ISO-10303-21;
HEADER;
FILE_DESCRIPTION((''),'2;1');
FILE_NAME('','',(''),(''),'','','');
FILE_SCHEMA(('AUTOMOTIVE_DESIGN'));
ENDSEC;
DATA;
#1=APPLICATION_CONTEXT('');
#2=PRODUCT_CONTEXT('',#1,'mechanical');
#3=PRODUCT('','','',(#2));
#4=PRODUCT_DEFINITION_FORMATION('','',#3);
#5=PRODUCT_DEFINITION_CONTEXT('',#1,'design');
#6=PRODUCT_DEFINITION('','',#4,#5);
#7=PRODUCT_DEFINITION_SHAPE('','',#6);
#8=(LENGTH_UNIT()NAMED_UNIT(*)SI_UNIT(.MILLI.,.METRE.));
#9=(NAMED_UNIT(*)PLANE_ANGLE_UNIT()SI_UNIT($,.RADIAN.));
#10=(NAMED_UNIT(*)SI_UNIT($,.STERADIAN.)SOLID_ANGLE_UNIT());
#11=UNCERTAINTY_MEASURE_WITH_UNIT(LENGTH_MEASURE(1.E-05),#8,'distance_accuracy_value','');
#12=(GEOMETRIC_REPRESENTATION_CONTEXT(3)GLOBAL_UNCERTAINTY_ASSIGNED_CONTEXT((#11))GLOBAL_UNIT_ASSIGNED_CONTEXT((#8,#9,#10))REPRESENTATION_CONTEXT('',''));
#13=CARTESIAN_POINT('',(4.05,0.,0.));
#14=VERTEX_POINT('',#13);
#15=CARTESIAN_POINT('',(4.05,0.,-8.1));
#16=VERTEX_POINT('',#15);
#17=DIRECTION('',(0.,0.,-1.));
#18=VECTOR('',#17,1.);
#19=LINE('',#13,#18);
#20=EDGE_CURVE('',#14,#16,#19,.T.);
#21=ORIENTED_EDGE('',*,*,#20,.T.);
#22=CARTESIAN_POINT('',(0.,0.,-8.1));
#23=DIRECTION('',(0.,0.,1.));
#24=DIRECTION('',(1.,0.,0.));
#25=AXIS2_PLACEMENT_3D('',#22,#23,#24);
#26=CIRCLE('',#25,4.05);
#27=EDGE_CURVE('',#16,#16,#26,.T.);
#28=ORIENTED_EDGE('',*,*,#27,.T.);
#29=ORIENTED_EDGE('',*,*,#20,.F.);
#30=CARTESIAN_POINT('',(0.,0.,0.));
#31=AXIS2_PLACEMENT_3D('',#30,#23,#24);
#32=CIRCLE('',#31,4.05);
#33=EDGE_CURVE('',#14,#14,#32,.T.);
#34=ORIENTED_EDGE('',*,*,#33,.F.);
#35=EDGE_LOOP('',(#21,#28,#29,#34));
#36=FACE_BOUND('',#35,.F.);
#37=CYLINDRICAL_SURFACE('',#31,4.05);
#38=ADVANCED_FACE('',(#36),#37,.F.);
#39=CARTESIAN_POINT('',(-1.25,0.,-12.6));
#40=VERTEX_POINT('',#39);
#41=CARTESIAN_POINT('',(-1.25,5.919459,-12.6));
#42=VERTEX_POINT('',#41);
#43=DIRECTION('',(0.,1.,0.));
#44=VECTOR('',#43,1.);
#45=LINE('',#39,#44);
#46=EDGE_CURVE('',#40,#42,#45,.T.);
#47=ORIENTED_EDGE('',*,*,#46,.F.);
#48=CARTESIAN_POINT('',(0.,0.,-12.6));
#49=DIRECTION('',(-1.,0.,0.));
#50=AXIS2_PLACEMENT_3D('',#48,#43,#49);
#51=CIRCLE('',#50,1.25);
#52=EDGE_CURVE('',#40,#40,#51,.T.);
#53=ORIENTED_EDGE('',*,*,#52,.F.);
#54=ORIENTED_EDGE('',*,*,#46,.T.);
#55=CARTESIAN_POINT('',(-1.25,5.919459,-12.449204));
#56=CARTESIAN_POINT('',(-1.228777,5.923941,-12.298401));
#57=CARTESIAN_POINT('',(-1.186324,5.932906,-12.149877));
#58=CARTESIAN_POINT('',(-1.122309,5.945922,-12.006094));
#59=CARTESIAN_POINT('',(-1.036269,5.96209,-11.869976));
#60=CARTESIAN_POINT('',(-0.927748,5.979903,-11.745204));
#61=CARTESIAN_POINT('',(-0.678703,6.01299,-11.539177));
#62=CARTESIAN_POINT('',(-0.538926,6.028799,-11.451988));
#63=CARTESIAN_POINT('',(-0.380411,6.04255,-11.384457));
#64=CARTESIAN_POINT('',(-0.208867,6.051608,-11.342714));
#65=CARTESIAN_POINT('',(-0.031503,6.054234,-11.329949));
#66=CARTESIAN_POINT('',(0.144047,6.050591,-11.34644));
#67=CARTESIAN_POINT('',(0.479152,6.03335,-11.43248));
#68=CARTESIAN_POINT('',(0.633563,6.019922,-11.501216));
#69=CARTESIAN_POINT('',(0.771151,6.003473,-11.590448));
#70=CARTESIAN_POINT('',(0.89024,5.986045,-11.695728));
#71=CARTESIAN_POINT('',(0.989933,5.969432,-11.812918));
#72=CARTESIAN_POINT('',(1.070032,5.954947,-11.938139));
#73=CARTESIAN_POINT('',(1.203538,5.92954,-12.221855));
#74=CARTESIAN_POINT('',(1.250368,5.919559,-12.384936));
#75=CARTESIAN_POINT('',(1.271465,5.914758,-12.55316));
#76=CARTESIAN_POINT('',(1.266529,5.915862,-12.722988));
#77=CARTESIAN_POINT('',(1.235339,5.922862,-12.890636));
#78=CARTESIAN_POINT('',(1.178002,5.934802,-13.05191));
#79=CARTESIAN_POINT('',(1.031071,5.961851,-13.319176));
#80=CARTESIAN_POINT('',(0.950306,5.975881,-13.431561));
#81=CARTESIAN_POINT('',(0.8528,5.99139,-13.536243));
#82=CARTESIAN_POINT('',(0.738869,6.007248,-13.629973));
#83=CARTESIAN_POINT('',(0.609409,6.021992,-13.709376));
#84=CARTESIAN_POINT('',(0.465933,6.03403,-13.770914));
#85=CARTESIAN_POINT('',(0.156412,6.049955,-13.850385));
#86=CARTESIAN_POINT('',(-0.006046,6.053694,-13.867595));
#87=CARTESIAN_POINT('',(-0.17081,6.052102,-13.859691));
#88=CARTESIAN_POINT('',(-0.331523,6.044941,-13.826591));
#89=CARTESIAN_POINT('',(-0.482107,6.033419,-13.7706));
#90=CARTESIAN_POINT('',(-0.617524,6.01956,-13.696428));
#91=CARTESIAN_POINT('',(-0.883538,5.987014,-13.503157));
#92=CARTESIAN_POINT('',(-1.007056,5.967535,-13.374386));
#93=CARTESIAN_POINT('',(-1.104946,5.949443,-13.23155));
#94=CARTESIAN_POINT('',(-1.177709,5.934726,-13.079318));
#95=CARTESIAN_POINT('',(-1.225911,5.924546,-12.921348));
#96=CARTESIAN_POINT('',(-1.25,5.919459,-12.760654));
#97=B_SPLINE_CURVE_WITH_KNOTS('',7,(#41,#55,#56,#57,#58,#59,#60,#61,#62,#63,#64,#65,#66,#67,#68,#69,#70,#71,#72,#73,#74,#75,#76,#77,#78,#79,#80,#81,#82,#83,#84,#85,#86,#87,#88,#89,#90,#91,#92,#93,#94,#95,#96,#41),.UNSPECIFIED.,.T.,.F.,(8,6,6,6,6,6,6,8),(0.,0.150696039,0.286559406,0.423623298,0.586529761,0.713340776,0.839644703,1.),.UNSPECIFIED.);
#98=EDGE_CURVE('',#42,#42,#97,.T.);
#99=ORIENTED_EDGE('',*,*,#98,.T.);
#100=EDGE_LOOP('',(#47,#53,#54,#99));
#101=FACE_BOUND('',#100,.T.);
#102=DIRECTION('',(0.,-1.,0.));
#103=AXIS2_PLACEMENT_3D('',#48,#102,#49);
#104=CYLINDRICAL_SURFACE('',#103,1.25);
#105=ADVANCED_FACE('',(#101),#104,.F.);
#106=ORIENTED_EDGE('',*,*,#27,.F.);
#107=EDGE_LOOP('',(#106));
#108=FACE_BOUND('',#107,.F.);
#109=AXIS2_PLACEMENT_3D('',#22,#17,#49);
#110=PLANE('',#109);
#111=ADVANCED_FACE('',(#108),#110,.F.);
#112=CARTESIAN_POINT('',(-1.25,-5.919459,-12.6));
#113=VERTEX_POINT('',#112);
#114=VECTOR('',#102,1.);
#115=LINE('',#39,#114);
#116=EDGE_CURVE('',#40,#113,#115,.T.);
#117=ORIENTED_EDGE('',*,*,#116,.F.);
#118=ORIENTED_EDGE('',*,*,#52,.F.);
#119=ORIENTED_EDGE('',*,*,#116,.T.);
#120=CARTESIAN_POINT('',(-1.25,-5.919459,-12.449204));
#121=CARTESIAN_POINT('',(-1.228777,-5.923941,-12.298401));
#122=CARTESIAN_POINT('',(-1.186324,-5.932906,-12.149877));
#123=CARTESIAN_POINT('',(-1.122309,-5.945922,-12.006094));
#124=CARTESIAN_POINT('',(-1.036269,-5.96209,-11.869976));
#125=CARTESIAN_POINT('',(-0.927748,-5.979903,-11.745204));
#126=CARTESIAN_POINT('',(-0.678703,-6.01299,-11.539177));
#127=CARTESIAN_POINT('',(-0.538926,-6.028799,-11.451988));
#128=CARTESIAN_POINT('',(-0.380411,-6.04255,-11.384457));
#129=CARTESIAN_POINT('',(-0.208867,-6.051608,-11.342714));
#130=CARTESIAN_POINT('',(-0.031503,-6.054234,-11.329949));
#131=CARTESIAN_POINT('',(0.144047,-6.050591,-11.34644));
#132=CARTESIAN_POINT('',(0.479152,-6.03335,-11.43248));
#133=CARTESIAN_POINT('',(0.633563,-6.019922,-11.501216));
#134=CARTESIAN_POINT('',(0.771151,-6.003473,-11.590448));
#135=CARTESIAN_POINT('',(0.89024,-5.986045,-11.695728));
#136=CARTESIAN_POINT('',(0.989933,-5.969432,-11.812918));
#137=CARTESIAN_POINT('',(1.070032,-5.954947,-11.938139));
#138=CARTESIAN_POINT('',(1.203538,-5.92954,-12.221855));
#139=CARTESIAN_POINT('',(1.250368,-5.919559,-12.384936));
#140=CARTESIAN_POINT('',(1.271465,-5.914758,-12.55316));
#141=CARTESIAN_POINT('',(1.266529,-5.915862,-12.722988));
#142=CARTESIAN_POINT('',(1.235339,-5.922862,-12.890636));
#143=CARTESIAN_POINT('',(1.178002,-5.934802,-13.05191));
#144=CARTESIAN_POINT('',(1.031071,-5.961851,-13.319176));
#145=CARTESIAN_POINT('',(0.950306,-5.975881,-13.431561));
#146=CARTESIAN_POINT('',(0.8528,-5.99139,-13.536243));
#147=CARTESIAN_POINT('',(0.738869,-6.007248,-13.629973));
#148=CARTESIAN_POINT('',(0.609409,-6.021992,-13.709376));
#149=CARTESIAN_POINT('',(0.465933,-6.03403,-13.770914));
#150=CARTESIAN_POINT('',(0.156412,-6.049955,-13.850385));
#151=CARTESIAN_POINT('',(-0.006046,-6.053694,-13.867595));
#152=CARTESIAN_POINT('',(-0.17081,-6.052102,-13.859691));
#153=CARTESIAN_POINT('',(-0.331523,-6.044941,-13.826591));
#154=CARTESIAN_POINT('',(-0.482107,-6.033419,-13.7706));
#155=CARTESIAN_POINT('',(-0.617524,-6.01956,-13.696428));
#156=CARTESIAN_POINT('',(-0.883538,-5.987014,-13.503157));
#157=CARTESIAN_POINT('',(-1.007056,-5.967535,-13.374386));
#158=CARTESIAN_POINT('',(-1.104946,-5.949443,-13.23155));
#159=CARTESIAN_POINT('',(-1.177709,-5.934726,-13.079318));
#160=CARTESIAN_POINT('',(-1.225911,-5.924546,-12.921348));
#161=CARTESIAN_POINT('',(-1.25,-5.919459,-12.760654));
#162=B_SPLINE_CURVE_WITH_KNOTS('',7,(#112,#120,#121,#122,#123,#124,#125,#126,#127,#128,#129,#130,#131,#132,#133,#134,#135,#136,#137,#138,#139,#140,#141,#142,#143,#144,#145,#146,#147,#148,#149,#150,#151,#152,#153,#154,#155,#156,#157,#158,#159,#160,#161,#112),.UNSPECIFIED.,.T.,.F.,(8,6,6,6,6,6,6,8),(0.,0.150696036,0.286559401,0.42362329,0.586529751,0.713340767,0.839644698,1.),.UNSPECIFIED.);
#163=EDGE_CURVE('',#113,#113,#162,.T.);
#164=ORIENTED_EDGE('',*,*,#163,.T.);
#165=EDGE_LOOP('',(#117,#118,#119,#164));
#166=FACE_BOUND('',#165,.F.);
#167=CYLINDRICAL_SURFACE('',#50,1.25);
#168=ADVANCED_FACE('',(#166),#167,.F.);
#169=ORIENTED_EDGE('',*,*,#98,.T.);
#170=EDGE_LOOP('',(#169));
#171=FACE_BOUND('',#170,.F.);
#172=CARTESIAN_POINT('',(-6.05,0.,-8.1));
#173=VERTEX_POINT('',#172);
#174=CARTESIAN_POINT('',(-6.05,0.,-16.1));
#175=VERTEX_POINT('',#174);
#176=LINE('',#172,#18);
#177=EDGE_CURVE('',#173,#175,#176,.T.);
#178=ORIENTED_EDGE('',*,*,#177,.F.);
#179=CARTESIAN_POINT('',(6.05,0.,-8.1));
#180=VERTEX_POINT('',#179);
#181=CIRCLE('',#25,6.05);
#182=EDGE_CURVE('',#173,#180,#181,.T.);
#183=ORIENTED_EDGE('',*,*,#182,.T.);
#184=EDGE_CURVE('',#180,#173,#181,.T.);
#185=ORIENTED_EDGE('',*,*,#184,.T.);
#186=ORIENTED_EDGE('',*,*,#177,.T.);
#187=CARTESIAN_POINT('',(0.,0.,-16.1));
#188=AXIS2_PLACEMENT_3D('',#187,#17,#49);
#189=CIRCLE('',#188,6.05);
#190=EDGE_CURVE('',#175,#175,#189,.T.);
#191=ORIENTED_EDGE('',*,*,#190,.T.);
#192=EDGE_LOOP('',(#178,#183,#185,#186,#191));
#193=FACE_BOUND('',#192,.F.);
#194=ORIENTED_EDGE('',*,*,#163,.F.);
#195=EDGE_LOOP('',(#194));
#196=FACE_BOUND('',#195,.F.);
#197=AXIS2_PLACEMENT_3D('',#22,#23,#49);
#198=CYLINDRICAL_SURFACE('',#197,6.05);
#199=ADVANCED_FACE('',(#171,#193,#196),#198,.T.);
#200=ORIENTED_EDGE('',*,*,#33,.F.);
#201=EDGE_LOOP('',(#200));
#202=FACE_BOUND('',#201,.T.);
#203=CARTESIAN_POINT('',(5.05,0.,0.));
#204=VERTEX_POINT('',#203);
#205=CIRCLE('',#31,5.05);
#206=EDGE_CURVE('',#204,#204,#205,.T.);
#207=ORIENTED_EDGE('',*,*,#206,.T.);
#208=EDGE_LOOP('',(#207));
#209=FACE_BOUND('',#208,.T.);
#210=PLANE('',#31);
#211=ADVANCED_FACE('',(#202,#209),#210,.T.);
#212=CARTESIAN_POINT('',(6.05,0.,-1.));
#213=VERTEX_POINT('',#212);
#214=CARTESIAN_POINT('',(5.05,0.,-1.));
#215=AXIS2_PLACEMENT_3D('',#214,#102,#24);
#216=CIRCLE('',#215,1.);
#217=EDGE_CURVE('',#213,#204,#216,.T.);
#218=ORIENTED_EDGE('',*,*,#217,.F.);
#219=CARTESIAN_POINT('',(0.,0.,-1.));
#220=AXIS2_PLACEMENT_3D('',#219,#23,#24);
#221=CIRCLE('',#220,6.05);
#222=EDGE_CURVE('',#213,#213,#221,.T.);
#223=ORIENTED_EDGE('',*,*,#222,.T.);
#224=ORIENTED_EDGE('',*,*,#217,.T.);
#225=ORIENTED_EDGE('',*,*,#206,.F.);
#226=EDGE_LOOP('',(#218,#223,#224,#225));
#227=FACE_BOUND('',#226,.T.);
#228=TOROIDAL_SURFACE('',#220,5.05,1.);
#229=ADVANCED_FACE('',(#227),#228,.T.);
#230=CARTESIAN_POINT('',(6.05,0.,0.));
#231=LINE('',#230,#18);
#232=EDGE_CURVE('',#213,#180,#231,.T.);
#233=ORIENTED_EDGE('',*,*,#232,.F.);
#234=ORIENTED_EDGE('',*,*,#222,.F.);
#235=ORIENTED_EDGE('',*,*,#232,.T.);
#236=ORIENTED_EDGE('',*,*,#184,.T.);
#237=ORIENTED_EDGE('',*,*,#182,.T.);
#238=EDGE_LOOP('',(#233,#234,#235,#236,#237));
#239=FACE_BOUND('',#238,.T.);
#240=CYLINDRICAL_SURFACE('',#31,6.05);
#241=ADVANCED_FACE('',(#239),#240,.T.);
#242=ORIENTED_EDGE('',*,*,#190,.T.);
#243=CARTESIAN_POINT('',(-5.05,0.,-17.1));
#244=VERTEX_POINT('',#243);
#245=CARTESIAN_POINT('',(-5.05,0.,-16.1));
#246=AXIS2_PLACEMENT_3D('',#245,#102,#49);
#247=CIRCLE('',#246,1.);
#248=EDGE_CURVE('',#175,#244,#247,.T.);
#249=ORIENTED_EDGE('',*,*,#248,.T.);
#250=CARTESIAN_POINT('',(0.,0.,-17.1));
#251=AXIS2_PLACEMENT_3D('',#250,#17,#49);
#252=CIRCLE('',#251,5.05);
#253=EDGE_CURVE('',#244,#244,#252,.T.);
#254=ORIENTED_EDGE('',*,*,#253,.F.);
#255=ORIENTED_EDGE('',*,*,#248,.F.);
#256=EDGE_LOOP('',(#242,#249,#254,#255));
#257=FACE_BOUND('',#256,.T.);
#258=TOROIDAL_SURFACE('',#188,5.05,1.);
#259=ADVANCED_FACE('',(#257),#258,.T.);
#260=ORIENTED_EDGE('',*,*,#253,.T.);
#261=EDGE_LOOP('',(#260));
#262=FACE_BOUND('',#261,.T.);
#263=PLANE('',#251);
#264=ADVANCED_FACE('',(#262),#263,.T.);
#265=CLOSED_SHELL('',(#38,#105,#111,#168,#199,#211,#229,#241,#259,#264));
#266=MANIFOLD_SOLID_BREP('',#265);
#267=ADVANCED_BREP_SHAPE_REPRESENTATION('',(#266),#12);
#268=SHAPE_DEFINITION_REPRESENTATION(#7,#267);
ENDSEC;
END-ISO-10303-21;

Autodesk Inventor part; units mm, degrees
ref_plane "YZ Plane" through (0, 0, 0) normal (1, 0, 0) x (0, 1, 0)
ref_plane "XZ Plane" through (0, 0, 0) normal (0, 1, 0) x (-1, 0, 0)
ref_plane "XY Plane" through (0, 0, 0) normal (0, 0, 1) x (1, 0, 0)
sketch "スケッチ1" plane through (0, 0, 0) normal (0, 0, 1) x (1, 0, 0)
  circle A0 centre (0, 0) radius 4.05
  circle A1 centre (0, 0) radius 6.05
  dimension "d0" = 8.1
  dimension "d1" = 2
extrude "押し出し1" add sketch "スケッチ1" against normal blind 8.1
sketch "スケッチ2" plane through (0, 0, -8.1) normal (0, 0, -1) x (-1, 0, 0)
  circle A0 centre (0, 0) radius 6.05
  circle A1 centre (0, 0) radius 6.05 projected
  dimension "d13" = 0
extrude "押し出し2" add sketch "スケッチ2" along normal blind 9
sketch "スケッチ3" plane through (0, 0, 0) normal (0, 1, 0) x (-1, 0, 0)
  circle A0 centre (0, -12.6) radius 1.25
  line L0 (4.05, -8.1) -> (-4.05, -8.1) projected
  point P0 (0, 0)
  dimension "d6" = 2.5
  dimension "d7" = 4.5
extrude "押し出し3" cut sketch "スケッチ3" along normal through all both and the other way through all
fillet "フィレット1" radius 1 2 edges at (6.05, 0, -17.1) (-6.05, 0, 0)
properties part number "parent_ver."
